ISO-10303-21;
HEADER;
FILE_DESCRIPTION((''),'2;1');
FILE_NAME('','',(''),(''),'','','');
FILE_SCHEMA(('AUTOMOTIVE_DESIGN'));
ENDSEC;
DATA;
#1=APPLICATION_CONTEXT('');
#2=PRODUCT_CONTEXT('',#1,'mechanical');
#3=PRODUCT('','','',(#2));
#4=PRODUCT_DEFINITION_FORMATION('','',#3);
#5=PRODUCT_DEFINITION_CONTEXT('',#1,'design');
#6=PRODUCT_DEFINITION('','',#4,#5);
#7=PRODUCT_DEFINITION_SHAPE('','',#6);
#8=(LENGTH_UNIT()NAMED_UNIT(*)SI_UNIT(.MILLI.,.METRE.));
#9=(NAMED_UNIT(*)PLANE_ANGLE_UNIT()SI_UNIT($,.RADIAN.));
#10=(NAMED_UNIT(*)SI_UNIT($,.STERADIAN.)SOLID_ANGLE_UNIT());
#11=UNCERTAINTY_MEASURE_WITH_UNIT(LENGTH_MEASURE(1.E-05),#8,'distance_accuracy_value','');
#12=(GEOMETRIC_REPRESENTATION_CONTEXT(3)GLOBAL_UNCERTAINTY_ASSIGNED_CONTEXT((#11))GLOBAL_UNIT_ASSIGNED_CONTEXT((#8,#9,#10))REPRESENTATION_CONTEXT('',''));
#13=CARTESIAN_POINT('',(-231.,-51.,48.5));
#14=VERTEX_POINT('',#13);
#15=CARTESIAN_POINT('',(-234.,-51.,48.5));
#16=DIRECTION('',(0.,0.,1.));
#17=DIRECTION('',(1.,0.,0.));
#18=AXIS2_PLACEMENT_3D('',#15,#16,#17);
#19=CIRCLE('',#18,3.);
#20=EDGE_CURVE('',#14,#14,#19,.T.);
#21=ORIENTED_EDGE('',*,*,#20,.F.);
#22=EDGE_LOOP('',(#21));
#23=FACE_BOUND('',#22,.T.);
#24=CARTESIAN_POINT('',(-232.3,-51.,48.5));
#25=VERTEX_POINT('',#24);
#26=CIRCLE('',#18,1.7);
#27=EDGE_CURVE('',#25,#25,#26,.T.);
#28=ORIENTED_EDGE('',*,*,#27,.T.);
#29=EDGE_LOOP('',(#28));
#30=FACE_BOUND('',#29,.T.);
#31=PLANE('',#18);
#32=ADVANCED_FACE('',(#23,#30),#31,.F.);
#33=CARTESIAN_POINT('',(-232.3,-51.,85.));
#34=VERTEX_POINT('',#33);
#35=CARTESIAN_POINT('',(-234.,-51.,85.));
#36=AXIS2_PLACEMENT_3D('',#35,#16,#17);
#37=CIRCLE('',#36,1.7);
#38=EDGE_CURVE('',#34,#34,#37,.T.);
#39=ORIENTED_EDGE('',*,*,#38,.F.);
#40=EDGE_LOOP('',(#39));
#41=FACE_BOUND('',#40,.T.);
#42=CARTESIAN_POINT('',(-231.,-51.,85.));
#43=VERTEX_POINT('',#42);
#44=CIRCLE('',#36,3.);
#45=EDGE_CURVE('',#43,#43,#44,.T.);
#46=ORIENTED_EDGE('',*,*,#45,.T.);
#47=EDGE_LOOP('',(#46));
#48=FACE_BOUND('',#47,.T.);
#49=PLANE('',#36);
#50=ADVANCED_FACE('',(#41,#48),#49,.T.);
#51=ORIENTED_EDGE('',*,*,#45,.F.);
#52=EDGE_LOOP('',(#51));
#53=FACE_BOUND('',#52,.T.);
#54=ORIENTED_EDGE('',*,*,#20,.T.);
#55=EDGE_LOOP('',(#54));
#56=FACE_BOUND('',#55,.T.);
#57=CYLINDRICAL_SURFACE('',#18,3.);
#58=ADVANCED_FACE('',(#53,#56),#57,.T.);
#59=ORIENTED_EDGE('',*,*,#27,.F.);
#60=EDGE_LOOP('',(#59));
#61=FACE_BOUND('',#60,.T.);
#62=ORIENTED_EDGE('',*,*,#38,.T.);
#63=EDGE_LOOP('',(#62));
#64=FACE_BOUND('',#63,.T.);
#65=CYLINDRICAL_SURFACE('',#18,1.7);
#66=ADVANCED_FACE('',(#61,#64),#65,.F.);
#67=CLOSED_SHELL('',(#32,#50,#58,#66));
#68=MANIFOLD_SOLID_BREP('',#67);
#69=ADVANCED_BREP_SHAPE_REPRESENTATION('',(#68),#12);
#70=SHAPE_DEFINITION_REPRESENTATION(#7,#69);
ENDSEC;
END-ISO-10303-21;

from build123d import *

# Parameters (mm, degrees)
MAIN_PROFILE_SKETCH_R   = 3
MAIN_PROFILE_SKETCH_R_2 = 1.7
MAIN_EXTRUSION_DEPTH    = 36.5


with BuildPart() as part:
    # Main Profile Sketch → Main Extrusion (new body)
    with BuildSketch(Plane.XY.offset(85)):
        with Locations((-234, -51)):
            Circle(MAIN_PROFILE_SKETCH_R)
        with Locations((-234, -51)):
            Circle(MAIN_PROFILE_SKETCH_R_2, mode=Mode.SUBTRACT)
    extrude(amount=-MAIN_EXTRUSION_DEPTH)


solid = part.part
